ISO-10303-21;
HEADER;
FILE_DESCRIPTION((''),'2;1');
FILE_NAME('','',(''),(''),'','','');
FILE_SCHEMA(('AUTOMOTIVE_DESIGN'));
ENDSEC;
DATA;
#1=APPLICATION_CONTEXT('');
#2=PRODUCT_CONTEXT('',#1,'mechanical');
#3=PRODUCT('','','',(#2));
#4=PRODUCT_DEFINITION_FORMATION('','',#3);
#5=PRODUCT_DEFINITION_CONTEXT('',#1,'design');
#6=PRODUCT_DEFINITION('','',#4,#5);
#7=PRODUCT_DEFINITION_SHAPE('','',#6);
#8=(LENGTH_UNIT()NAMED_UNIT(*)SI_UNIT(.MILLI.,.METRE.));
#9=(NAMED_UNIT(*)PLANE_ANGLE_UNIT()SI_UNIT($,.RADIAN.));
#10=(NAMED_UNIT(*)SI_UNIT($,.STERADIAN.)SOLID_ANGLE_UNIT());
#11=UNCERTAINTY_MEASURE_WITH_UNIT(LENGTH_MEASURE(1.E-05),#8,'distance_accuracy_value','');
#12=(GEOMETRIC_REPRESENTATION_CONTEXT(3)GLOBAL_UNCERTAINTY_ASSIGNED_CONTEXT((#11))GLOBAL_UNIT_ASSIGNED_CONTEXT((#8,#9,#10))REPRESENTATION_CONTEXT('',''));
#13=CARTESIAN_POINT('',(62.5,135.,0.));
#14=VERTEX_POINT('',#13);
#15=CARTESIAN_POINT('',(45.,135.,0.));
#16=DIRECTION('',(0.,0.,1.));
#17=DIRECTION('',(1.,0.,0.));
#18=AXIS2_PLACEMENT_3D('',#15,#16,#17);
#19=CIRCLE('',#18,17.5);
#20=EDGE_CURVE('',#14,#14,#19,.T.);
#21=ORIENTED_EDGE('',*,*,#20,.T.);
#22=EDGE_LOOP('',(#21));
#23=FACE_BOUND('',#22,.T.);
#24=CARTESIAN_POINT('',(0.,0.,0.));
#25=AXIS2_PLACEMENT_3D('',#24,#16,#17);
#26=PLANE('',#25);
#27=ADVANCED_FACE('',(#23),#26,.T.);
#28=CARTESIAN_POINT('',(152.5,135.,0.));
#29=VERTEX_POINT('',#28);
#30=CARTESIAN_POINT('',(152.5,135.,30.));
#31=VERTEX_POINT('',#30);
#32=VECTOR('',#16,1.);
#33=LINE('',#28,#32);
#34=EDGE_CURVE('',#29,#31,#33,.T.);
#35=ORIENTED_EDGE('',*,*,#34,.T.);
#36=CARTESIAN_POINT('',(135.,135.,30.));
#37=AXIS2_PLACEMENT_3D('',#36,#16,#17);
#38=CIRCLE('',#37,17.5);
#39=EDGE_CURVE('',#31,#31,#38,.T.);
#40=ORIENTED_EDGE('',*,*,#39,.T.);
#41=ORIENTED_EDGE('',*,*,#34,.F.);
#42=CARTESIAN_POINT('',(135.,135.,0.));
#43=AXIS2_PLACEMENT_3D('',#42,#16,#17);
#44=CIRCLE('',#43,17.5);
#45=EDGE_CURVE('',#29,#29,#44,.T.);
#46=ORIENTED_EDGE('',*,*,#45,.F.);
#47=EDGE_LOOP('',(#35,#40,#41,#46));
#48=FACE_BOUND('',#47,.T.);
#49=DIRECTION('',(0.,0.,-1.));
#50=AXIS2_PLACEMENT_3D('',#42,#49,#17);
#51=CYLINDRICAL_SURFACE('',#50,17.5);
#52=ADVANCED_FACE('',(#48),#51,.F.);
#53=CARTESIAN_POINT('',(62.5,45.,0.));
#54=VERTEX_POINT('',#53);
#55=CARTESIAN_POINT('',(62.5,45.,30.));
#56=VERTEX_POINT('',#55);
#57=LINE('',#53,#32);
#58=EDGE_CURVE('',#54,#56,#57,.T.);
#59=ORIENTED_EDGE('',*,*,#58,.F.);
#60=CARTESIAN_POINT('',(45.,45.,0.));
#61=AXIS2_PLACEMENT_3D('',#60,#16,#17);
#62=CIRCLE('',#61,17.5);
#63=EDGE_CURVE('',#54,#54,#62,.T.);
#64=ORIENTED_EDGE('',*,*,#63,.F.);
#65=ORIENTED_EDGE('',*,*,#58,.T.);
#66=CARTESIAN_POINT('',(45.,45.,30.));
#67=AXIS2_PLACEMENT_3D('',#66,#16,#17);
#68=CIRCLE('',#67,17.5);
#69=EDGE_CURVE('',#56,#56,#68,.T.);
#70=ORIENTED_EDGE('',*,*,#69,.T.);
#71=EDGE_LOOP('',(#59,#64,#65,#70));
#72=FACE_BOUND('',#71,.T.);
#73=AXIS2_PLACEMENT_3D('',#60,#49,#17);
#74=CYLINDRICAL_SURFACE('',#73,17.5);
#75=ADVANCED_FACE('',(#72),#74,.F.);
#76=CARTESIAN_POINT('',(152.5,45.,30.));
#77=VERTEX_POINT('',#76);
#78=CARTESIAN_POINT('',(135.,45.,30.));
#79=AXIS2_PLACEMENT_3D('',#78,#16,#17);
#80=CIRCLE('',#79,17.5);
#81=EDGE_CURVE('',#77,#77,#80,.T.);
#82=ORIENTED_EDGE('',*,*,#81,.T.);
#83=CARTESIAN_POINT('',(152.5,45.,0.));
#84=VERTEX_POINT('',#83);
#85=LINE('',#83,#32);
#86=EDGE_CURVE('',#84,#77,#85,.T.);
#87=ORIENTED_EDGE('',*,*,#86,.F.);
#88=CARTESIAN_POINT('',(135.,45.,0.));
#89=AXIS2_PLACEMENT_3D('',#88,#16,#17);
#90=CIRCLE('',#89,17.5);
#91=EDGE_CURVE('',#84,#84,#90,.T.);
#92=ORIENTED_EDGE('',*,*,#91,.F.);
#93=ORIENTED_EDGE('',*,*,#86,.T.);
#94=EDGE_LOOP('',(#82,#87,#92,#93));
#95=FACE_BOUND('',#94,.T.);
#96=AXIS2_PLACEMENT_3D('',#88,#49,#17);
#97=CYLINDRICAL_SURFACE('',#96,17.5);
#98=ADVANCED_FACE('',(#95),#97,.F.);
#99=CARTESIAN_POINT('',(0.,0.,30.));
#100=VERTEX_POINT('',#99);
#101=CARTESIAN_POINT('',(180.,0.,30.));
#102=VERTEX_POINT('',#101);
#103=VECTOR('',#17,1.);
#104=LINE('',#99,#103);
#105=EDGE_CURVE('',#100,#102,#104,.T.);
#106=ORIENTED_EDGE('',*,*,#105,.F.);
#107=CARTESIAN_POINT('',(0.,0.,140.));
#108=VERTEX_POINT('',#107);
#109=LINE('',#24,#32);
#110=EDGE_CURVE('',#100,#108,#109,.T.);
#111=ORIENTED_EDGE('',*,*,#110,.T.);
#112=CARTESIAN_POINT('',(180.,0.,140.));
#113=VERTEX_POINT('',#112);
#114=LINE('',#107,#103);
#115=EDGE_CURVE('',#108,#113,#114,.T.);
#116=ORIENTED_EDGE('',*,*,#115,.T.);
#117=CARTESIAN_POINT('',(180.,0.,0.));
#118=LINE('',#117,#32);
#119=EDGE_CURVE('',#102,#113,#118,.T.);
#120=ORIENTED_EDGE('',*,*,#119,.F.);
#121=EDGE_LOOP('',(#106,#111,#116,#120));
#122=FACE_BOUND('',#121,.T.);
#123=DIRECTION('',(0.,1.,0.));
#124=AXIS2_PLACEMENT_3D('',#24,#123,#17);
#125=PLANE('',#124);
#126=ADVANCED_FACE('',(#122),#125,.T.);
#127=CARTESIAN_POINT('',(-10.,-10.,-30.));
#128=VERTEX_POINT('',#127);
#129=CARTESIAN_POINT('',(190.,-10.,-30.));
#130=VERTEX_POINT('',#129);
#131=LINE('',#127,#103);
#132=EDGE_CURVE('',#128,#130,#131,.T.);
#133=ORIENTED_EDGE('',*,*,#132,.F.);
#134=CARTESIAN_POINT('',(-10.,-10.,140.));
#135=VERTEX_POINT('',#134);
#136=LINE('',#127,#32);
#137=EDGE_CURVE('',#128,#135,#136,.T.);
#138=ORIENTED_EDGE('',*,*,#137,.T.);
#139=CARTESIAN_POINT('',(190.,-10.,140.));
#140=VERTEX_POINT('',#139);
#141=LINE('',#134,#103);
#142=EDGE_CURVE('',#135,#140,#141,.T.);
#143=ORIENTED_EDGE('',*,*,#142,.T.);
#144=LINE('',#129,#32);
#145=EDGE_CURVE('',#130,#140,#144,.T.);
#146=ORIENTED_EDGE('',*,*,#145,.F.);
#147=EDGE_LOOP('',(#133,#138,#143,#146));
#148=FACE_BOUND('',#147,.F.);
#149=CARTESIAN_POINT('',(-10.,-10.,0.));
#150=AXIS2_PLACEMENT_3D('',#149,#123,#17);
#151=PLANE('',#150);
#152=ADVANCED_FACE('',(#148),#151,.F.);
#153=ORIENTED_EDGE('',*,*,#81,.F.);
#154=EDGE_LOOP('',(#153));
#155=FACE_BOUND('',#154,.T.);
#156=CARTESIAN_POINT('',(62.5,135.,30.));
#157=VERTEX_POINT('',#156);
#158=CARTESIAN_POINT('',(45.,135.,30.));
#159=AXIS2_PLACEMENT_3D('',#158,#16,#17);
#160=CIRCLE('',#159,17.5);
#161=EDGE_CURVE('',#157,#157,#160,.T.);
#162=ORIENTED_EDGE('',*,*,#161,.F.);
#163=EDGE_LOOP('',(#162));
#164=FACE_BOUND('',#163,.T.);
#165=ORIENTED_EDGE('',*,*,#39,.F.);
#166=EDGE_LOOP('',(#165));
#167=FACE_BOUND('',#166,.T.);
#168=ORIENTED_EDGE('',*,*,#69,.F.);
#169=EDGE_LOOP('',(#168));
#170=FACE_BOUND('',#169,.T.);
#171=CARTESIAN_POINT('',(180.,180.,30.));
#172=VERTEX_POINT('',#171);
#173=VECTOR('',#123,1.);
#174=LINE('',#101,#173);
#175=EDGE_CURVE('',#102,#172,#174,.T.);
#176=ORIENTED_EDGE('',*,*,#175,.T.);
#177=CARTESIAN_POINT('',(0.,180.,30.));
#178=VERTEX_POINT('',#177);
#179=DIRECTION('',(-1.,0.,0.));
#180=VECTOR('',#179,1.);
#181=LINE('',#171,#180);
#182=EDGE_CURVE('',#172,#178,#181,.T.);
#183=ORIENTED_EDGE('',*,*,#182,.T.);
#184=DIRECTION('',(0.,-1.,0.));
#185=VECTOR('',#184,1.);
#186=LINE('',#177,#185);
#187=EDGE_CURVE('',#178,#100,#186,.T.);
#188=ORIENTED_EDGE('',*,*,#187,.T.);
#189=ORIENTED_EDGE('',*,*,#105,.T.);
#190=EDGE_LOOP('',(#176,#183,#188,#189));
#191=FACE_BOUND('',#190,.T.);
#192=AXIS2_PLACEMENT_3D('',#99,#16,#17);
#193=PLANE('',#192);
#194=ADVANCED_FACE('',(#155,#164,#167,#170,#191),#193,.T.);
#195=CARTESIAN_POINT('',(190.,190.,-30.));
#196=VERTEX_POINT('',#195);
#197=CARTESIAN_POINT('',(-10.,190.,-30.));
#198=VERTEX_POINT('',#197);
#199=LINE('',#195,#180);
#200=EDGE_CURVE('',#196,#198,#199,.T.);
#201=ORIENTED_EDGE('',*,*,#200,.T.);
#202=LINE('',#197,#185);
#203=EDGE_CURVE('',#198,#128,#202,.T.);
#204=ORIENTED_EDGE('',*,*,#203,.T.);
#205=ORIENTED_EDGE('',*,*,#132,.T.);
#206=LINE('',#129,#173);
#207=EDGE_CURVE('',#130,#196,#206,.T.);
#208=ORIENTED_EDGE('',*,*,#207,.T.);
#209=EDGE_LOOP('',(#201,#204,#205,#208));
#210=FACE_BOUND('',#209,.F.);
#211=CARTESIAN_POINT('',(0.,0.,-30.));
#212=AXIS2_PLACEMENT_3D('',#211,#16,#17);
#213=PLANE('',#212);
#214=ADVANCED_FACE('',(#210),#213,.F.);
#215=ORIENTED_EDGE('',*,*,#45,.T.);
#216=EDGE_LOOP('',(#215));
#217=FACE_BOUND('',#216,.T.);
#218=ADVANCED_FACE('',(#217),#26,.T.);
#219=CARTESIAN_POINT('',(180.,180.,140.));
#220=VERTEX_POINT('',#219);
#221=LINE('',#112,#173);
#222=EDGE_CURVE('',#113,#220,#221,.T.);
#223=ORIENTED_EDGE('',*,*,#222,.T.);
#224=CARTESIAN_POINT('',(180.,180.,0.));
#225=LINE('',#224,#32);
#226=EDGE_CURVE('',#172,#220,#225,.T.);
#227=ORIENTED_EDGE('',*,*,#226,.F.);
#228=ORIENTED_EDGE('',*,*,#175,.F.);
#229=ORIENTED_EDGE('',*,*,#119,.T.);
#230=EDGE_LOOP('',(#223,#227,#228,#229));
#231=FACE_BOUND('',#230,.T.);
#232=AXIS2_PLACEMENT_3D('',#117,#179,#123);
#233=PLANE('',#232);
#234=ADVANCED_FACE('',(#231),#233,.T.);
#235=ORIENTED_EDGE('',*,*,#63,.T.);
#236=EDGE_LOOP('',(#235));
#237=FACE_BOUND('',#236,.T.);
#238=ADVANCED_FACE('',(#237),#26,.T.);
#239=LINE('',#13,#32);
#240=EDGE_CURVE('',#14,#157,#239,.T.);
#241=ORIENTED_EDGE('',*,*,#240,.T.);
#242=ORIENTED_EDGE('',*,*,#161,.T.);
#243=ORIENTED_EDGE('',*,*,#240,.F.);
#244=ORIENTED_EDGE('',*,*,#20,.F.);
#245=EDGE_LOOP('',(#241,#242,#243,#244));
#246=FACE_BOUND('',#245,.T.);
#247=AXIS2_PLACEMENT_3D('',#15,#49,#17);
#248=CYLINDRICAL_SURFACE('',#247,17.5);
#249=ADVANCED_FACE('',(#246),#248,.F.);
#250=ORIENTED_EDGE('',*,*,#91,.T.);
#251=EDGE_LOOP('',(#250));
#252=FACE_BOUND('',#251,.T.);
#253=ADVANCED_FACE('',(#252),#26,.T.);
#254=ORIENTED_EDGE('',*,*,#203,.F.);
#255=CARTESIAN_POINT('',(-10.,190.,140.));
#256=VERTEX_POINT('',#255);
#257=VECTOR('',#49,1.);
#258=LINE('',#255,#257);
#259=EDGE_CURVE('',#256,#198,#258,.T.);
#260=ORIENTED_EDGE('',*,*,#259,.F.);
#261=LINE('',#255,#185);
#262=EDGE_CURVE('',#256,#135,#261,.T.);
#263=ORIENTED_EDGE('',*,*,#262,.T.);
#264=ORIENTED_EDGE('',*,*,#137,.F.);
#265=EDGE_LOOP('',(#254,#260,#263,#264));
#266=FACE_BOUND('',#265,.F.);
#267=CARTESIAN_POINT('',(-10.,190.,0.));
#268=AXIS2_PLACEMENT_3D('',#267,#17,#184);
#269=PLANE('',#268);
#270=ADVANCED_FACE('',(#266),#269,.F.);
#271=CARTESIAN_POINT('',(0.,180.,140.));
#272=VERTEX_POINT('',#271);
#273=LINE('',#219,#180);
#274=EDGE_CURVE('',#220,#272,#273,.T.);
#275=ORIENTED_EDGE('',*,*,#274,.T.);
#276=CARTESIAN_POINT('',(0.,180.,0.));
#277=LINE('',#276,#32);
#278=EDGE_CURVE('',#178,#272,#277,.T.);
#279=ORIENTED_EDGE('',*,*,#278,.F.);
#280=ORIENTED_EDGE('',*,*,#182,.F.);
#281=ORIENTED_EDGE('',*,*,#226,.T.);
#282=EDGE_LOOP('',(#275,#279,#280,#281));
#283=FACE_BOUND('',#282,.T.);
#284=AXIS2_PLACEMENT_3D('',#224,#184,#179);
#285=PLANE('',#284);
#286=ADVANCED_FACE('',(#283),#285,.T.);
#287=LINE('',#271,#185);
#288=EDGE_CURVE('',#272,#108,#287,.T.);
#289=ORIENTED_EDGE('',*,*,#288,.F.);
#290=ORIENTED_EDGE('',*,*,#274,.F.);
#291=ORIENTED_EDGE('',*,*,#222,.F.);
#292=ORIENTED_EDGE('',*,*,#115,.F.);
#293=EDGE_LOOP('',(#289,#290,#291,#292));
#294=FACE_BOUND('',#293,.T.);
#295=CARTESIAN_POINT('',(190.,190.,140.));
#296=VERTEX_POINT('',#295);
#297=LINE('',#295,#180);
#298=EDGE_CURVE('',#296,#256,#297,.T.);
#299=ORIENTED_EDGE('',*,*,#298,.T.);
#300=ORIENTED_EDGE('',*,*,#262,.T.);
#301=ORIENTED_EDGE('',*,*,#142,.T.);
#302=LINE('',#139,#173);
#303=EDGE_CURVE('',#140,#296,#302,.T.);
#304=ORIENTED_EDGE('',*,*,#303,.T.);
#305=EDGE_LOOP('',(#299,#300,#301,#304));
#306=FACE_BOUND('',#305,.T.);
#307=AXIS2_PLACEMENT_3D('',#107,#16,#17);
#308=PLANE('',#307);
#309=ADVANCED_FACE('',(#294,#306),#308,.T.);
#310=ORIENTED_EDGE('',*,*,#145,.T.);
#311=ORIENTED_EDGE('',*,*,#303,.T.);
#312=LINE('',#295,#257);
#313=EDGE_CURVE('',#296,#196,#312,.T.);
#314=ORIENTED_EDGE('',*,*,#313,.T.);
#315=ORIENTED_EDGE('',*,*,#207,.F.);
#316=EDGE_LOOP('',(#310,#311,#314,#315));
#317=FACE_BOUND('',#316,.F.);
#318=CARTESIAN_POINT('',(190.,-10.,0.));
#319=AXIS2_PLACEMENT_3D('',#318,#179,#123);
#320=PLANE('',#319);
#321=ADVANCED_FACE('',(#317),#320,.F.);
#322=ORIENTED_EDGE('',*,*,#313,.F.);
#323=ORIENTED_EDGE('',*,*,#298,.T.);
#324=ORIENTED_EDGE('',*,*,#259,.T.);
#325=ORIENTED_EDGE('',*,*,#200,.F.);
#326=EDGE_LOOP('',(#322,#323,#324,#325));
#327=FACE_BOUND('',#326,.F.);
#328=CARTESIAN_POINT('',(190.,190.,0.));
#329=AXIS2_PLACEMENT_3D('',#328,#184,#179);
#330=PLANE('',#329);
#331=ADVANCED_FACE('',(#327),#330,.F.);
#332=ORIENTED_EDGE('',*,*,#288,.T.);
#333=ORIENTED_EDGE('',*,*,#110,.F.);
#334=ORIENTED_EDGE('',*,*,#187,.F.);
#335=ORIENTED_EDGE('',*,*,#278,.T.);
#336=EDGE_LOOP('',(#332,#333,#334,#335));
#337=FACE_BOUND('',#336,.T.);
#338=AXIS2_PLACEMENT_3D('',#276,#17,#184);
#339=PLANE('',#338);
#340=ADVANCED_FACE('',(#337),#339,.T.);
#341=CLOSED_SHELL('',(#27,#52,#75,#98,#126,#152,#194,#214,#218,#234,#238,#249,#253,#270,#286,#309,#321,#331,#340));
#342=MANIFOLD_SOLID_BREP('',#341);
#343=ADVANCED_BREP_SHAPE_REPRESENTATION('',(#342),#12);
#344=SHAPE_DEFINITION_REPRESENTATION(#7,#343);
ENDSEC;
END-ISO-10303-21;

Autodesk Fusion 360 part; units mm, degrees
sketch "Sketch1" plane through (0, 0, 0) normal (0, 0, 1) x (1, 0, 0)
  line L0 (0, 0) -> (180, 0)
  line L1 (180, 0) -> (180, 180)
  line L2 (180, 180) -> (0, 180)
  line L3 (0, 180) -> (0, 0)
  line L4 (-10, -10) -> (190, -10)
  line L5 (190, -10) -> (190, 190)
  line L6 (190, 190) -> (-10, 190)
  line L7 (-10, 190) -> (-10, -10)
  circle A0 centre (45, 45) radius 17.5
  circle A1 centre (45, 135) radius 17.5
  circle A2 centre (135, 135) radius 17.5
  circle A3 centre (135, 45) radius 17.5
  dimension "d1" = 180
  dimension "d2" = 180
  dimension "d3" = 35
  dimension "d4" = 35
  dimension "d5" = 45
  dimension "d6" = 45
  dimension "d7" = 45
  dimension "d8" = 45
  dimension "d9" = 35
  dimension "d10" = 45
  dimension "d11" = 45
  dimension "d12" = 35
  dimension "d13" = 45
  dimension "d14" = 45
extrude "Extrude1" add sketch "Sketch1" along normal blind 140 contours L4 L5 L6 L7
extrude "Extrude2" add sketch "Sketch1" against normal blind 30 contours L0 L1 L2 L3 | L4 L5 L6 L7 | A0 | A1 | A2 | A3
extrude "Extrude3" add sketch "Sketch1" along normal blind 30 contours L0 L1 L2 L3
